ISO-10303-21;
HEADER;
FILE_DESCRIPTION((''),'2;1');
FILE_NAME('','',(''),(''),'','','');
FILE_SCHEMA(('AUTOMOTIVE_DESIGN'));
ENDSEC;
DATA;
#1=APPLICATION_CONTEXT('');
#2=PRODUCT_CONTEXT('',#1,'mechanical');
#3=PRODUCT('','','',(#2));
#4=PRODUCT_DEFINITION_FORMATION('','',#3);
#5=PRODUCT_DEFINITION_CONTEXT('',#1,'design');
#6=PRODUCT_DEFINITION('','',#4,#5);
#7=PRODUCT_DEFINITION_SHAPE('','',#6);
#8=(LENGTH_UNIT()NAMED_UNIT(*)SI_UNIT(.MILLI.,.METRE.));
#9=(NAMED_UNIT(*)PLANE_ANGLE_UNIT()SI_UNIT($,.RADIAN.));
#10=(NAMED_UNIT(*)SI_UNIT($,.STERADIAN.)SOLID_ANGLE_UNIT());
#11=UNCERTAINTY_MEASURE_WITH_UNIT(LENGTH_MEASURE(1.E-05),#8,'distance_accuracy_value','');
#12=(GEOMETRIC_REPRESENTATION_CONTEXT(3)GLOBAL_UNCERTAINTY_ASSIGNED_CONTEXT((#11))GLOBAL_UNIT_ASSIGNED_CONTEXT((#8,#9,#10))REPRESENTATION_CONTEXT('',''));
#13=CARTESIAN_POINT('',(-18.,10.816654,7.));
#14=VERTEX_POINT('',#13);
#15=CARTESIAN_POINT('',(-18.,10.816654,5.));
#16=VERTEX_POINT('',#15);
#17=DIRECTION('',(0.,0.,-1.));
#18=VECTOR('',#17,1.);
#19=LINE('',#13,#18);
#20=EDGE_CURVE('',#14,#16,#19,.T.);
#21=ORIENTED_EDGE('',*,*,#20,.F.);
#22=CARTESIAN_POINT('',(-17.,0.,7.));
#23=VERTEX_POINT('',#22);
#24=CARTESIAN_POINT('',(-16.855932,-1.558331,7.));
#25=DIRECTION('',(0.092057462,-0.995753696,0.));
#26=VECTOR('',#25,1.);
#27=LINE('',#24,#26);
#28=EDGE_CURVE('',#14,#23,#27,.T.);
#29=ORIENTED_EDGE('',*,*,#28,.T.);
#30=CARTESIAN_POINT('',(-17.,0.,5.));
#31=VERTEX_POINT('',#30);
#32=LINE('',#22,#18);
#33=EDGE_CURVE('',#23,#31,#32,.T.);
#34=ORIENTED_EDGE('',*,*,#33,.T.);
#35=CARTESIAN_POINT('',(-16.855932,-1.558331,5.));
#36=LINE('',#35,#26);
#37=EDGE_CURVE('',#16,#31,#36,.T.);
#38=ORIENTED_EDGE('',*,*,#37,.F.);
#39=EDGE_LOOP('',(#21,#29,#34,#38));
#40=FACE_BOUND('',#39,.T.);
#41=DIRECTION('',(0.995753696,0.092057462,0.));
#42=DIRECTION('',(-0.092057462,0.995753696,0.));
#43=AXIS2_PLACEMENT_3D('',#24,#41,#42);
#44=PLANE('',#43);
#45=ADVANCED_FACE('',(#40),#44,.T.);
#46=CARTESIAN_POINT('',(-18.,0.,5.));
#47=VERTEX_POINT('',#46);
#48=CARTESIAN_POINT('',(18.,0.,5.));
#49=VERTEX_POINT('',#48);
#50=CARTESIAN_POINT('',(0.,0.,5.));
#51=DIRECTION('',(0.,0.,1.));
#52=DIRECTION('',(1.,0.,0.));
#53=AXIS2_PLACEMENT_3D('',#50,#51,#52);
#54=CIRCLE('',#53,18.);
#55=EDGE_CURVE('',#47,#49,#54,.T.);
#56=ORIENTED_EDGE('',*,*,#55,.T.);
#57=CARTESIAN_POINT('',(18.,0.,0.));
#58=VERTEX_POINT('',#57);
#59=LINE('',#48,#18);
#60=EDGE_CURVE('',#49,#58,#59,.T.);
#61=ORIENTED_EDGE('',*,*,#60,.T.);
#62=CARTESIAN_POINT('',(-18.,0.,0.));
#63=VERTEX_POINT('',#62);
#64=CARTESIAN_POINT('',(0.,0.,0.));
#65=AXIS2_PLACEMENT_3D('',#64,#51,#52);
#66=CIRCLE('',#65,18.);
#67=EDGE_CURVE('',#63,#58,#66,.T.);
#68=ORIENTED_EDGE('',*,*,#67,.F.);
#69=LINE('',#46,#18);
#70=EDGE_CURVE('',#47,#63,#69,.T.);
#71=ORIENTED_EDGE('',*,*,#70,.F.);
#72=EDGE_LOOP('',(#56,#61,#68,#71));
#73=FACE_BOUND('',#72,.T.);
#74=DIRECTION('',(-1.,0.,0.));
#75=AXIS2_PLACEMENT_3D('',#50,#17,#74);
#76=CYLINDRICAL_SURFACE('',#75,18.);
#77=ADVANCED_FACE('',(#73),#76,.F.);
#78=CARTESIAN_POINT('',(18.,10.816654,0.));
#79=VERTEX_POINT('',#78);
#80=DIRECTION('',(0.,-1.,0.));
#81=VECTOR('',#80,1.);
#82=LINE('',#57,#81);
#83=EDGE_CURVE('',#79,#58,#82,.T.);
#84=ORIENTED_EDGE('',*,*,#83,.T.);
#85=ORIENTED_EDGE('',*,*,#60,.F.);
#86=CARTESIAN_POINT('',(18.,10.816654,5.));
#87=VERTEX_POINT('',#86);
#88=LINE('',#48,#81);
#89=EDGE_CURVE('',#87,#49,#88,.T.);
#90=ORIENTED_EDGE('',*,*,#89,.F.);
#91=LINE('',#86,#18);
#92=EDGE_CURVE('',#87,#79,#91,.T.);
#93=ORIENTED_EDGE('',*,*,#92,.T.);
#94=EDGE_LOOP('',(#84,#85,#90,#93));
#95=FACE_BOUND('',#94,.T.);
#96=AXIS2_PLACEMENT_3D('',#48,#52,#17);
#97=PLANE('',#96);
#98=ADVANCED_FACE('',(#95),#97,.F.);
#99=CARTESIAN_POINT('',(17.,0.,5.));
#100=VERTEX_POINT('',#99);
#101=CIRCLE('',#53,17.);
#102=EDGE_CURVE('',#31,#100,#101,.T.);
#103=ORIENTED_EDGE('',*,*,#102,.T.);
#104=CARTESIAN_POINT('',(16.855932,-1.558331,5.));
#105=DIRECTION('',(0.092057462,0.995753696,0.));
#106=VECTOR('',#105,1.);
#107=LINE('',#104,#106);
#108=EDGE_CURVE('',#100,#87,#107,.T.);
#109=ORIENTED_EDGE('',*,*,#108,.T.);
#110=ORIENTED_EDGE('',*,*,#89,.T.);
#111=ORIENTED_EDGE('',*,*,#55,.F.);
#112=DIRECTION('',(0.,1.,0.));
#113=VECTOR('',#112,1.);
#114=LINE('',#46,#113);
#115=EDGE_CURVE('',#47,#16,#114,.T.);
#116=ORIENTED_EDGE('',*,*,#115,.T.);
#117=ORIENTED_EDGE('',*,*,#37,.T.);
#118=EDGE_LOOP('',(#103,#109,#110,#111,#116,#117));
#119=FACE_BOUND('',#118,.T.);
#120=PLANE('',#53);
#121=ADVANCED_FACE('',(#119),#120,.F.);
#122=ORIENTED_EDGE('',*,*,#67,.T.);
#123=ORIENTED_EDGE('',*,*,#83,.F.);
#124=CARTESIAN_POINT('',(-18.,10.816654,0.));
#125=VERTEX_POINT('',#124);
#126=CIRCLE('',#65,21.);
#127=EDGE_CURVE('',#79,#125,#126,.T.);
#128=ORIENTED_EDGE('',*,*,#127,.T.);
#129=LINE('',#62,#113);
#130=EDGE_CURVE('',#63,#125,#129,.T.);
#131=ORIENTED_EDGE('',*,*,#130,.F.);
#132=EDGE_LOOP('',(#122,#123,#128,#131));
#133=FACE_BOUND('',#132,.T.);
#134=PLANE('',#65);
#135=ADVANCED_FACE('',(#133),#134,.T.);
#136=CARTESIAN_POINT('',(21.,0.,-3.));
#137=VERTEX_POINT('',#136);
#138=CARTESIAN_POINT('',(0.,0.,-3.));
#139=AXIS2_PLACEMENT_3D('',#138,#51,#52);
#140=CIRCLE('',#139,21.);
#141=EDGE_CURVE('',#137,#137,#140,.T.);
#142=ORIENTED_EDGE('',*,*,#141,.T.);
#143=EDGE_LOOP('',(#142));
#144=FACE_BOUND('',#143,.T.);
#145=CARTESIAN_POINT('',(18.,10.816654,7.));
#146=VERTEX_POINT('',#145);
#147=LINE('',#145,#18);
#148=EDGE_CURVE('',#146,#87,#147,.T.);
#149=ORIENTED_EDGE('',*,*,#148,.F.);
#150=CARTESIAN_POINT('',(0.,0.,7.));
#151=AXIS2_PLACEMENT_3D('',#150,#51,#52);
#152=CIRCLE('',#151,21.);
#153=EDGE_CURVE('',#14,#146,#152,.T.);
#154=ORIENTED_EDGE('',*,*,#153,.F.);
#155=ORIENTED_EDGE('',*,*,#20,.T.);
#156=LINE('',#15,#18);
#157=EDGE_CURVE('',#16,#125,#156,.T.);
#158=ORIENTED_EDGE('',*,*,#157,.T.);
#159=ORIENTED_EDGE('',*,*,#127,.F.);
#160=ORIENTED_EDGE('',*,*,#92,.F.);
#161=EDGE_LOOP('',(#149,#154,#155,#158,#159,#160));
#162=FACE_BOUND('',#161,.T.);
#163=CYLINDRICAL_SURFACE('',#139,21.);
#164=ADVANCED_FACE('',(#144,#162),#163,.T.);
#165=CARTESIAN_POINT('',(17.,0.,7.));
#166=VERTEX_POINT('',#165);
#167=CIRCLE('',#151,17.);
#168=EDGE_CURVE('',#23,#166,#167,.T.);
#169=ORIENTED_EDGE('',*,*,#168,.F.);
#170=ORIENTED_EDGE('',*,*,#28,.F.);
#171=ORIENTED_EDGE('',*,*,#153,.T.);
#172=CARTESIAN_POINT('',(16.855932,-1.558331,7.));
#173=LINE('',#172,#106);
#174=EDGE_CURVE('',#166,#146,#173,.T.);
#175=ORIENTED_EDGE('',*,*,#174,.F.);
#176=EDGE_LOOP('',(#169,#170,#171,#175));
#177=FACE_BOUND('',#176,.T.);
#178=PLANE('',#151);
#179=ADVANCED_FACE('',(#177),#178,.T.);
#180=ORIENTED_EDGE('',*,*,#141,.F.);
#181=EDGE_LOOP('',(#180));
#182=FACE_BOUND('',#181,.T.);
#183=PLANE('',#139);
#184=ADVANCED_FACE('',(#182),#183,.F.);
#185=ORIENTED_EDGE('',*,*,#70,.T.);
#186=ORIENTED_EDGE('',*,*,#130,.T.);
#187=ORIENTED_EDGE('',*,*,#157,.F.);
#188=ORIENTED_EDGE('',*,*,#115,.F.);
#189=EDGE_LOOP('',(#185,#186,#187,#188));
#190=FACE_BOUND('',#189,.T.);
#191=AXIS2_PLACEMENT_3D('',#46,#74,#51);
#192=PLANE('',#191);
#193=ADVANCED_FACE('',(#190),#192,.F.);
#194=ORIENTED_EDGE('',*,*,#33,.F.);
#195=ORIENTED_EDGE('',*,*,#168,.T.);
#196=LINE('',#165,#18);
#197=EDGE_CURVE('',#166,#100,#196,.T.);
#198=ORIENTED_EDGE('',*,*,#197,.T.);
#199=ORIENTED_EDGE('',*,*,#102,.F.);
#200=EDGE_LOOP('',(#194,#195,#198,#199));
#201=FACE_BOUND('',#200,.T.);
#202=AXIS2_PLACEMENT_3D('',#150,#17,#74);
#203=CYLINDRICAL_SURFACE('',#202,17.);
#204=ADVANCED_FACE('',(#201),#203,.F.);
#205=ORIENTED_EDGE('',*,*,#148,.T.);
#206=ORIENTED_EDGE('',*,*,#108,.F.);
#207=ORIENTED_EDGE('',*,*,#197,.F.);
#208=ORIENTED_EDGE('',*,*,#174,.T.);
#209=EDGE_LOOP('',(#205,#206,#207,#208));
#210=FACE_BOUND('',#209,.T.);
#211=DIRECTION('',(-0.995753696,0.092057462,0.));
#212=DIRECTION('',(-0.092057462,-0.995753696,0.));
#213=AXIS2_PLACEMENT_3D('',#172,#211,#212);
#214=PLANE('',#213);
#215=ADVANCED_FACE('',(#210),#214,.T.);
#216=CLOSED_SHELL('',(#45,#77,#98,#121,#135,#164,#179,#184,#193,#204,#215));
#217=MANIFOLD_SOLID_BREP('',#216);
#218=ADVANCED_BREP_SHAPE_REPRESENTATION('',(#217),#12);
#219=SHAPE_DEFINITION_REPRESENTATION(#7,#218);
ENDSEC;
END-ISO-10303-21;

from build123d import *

# Parameters (mm, degrees)
ESBO_O1_R                = 21
RESSALTO_EXTRUS_O1_DEPTH = 3
RESSALTO_EXTRUS_O2_START = 5
RESSALTO_EXTRUS_O2_DEPTH = 5
RESSALTO_EXTRUS_O3_START = 2
RESSALTO_EXTRUS_O3_DEPTH = 2


with BuildPart() as part:
    # Esboço1 → Ressalto-extrusão1 (new body)
    with BuildSketch(Plane.XY):
        Circle(ESBO_O1_R)
    extrude(amount=-RESSALTO_EXTRUS_O1_DEPTH)

    # Esboço1<3> → Ressalto-extrusão2 (add)
    with BuildSketch(Plane.XY.offset(RESSALTO_EXTRUS_O2_START)):
        with BuildLine():
            ThreePointArc((18, 0), (0, -18), (-18, 0))
            Line((-18, 0), (-18, 10.816653826))
            ThreePointArc((-18, 10.816653826), (-5.61248608, -20.236106345), (21, 0))
            ThreePointArc((21, 0), (20.236106345, 5.61248608), (18, 10.816653826))
            Line((18, 10.816653826), (18, 0))
        make_face()
    extrude(amount=-RESSALTO_EXTRUS_O2_DEPTH)

    # Esboço3 → Ressalto-extrusão3 (add)
    with BuildSketch(Plane.XY.offset(5).offset(RESSALTO_EXTRUS_O3_START)):
        with BuildLine():
            Line((18, 10.816653826), (17, 0))
            ThreePointArc((17, 0), (0, -17), (-17, 0))
            Line((-17, 0), (-18, 10.816653826))
            ThreePointArc((-18, 10.816653826), (0, -21), (18, 10.816653826))
        make_face()
    extrude(amount=-RESSALTO_EXTRUS_O3_DEPTH)


solid = part.part
